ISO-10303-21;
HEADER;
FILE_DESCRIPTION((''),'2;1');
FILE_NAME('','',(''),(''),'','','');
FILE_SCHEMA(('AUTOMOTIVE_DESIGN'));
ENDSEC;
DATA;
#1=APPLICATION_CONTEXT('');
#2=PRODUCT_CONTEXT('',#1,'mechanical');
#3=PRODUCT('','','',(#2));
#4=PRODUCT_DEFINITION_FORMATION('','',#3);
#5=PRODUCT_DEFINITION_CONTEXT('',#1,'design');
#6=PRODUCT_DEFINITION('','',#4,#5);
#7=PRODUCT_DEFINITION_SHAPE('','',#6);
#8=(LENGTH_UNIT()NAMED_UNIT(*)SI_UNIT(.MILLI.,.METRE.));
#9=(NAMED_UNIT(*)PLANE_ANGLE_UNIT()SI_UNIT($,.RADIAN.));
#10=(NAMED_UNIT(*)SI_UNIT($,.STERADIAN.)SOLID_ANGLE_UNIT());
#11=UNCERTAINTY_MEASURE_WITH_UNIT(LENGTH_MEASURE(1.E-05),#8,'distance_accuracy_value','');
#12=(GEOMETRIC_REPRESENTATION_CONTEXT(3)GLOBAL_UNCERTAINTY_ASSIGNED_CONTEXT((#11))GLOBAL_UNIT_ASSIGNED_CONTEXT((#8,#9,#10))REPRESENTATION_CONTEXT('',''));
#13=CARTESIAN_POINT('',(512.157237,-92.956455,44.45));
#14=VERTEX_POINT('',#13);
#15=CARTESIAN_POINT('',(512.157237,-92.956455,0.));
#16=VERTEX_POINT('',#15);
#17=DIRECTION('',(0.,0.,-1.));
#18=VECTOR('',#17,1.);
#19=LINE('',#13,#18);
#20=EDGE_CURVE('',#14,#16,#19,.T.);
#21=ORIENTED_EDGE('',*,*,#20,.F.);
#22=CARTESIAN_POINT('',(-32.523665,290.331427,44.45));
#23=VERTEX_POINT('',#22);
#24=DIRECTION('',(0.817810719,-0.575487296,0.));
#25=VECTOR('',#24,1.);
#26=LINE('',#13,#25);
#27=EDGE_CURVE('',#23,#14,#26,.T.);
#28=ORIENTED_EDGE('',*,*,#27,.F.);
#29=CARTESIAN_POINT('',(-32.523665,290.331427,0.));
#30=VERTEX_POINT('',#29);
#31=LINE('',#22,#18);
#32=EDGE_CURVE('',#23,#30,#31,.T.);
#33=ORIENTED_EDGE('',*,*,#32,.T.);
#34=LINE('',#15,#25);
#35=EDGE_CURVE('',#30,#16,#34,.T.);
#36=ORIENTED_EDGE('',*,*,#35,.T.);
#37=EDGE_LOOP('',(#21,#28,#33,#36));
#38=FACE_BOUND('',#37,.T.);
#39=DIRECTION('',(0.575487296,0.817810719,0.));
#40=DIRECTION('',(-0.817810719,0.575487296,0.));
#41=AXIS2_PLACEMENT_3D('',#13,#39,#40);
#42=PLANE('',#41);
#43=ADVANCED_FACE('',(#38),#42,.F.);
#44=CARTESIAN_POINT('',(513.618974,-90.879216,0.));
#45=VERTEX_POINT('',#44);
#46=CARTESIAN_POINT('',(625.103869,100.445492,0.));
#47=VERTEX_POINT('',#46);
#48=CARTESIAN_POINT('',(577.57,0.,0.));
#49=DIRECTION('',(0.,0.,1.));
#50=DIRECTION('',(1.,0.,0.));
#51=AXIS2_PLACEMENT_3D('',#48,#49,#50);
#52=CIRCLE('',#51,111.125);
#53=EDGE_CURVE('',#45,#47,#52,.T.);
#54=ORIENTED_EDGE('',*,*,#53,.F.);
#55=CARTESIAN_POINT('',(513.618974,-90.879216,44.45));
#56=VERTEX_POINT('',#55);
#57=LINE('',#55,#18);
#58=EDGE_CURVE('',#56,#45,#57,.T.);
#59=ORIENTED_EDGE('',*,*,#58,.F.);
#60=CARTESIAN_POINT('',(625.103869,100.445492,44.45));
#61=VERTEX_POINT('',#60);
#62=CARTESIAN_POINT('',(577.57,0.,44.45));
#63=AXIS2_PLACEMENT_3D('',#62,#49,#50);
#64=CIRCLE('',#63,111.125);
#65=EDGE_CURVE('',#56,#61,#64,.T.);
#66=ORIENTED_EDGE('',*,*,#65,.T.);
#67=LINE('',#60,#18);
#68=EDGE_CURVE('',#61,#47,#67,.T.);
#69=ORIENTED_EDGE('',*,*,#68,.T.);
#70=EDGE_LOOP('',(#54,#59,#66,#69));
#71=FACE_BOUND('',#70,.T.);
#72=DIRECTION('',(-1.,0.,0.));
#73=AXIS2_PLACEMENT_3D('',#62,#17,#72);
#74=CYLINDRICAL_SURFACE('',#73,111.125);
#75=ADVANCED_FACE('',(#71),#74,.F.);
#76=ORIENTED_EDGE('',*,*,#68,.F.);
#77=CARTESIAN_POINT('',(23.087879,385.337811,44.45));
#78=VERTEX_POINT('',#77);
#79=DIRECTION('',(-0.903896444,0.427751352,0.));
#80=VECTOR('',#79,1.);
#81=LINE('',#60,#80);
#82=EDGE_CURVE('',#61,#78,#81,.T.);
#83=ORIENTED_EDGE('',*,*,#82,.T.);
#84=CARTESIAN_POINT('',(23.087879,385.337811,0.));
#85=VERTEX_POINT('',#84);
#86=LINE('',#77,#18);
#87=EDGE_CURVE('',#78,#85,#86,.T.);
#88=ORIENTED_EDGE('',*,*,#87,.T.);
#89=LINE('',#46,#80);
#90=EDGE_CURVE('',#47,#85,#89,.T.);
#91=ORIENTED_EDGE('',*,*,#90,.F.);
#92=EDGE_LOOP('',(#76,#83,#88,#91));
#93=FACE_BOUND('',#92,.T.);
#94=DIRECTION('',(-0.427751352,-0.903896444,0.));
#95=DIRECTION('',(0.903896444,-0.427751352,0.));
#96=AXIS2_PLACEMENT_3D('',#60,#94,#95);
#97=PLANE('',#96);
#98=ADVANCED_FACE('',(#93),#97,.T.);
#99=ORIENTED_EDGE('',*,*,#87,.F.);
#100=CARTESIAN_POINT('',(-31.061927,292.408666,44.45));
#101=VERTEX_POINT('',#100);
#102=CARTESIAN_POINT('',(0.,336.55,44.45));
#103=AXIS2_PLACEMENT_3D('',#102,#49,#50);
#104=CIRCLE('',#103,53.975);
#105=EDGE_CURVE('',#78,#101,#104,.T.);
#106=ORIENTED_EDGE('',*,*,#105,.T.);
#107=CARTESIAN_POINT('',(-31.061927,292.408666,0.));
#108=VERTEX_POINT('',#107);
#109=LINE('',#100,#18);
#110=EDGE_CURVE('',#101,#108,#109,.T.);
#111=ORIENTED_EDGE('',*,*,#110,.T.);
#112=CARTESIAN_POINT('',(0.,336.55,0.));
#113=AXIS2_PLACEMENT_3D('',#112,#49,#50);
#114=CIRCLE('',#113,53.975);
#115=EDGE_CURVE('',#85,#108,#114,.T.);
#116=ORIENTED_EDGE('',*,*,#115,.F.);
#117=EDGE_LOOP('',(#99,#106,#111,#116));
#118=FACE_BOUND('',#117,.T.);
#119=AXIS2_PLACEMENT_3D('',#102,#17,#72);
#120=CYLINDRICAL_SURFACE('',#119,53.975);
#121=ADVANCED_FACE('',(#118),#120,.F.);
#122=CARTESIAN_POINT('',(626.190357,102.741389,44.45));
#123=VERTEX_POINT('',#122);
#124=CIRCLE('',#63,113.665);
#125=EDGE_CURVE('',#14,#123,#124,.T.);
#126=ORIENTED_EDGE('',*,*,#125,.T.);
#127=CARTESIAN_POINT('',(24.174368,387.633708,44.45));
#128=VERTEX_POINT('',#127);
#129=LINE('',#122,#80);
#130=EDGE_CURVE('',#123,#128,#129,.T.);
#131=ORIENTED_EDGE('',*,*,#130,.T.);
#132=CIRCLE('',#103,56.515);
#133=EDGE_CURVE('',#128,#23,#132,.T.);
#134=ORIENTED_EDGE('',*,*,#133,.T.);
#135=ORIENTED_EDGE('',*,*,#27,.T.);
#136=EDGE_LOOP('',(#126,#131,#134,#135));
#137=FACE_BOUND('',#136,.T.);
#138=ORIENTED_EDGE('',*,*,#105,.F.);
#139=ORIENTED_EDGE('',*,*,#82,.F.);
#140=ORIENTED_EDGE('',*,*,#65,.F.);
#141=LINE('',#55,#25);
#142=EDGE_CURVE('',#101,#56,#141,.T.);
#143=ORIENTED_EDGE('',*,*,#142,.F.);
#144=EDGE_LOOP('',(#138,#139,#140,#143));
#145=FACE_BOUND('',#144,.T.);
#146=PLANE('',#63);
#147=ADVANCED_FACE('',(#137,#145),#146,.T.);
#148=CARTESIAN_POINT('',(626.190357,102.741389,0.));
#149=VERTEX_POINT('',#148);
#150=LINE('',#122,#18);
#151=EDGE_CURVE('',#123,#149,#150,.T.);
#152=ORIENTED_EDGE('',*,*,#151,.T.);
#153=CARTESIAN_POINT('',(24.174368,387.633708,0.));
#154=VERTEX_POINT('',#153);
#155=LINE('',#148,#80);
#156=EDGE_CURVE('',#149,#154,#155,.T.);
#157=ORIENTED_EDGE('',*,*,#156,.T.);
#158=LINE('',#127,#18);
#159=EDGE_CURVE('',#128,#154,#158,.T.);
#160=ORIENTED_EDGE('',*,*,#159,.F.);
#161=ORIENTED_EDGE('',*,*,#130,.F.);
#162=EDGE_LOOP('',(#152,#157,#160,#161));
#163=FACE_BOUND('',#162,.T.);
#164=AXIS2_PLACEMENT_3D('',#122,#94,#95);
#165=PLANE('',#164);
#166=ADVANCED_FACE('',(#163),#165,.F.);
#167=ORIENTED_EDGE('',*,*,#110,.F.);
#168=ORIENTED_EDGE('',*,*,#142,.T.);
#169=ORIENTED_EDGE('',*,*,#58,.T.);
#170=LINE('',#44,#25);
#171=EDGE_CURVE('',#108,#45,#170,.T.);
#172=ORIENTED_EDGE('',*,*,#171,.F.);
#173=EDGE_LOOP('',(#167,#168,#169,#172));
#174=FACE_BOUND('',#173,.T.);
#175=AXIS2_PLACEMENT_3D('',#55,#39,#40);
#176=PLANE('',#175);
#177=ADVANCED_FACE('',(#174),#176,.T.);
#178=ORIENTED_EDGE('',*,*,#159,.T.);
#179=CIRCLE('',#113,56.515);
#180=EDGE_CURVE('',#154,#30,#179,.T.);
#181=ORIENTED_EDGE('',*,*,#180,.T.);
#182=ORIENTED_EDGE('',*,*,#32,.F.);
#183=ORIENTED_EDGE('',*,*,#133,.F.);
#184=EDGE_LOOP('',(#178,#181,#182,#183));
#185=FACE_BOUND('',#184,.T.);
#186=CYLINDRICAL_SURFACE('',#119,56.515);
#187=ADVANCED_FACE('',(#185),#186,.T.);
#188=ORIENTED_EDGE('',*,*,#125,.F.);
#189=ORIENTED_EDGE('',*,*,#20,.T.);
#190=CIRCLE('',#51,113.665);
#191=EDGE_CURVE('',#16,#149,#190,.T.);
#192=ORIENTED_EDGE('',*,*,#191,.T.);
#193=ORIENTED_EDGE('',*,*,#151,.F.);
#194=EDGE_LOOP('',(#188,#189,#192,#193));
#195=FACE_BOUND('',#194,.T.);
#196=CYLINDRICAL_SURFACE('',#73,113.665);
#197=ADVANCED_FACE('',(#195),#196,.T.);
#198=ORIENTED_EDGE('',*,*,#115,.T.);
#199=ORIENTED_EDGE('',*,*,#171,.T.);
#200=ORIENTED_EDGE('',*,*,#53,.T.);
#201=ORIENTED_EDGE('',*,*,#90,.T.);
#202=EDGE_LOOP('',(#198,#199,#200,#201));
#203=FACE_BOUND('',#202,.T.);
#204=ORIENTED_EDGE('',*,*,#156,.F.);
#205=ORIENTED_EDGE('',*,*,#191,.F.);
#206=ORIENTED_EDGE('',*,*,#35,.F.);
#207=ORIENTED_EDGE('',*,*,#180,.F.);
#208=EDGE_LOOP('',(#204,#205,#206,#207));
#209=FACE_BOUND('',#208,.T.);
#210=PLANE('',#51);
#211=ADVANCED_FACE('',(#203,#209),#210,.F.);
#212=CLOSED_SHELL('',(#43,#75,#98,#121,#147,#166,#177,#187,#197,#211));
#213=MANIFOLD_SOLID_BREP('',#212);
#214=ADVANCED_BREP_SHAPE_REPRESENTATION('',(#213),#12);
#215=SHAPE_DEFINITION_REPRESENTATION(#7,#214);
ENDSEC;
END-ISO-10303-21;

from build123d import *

# Parameters (mm, degrees)
BOSS_EXTRUDE1_DEPTH = 44.45


with BuildPart() as part:
    # Sketch1 → Boss-Extrude1 (new body)
    with BuildSketch(Plane.XY):
        with BuildLine():
            Line((626.190357385, 102.741389288), (24.174367638, 387.633707523))
            ThreePointArc((24.174367638, 387.633707523), (-48.829920419, 365.003191331), (-32.523664529, 290.331427211))
            Line((-32.523664529, 290.331427211), (512.157236509, -92.956455384))
            ThreePointArc((512.157236509, -92.956455384), (675.778491629, -57.226081441), (626.190357385, 102.741389288))
        make_face()
        with BuildLine():
            Line((625.103868952, 100.44549232), (23.087879205, 385.337810556))
            ThreePointArc((23.087879205, 385.337810556), (-46.635317254, 363.724396215), (-31.061926797, 292.408666438))
            Line((-31.061926797, 292.408666438), (513.618974241, -90.879216157))
            ThreePointArc((513.618974241, -90.879216157), (673.583888464, -55.947286325), (625.103868952, 100.44549232))
        make_face(mode=Mode.SUBTRACT)
    extrude(amount=BOSS_EXTRUDE1_DEPTH)


solid = part.part
